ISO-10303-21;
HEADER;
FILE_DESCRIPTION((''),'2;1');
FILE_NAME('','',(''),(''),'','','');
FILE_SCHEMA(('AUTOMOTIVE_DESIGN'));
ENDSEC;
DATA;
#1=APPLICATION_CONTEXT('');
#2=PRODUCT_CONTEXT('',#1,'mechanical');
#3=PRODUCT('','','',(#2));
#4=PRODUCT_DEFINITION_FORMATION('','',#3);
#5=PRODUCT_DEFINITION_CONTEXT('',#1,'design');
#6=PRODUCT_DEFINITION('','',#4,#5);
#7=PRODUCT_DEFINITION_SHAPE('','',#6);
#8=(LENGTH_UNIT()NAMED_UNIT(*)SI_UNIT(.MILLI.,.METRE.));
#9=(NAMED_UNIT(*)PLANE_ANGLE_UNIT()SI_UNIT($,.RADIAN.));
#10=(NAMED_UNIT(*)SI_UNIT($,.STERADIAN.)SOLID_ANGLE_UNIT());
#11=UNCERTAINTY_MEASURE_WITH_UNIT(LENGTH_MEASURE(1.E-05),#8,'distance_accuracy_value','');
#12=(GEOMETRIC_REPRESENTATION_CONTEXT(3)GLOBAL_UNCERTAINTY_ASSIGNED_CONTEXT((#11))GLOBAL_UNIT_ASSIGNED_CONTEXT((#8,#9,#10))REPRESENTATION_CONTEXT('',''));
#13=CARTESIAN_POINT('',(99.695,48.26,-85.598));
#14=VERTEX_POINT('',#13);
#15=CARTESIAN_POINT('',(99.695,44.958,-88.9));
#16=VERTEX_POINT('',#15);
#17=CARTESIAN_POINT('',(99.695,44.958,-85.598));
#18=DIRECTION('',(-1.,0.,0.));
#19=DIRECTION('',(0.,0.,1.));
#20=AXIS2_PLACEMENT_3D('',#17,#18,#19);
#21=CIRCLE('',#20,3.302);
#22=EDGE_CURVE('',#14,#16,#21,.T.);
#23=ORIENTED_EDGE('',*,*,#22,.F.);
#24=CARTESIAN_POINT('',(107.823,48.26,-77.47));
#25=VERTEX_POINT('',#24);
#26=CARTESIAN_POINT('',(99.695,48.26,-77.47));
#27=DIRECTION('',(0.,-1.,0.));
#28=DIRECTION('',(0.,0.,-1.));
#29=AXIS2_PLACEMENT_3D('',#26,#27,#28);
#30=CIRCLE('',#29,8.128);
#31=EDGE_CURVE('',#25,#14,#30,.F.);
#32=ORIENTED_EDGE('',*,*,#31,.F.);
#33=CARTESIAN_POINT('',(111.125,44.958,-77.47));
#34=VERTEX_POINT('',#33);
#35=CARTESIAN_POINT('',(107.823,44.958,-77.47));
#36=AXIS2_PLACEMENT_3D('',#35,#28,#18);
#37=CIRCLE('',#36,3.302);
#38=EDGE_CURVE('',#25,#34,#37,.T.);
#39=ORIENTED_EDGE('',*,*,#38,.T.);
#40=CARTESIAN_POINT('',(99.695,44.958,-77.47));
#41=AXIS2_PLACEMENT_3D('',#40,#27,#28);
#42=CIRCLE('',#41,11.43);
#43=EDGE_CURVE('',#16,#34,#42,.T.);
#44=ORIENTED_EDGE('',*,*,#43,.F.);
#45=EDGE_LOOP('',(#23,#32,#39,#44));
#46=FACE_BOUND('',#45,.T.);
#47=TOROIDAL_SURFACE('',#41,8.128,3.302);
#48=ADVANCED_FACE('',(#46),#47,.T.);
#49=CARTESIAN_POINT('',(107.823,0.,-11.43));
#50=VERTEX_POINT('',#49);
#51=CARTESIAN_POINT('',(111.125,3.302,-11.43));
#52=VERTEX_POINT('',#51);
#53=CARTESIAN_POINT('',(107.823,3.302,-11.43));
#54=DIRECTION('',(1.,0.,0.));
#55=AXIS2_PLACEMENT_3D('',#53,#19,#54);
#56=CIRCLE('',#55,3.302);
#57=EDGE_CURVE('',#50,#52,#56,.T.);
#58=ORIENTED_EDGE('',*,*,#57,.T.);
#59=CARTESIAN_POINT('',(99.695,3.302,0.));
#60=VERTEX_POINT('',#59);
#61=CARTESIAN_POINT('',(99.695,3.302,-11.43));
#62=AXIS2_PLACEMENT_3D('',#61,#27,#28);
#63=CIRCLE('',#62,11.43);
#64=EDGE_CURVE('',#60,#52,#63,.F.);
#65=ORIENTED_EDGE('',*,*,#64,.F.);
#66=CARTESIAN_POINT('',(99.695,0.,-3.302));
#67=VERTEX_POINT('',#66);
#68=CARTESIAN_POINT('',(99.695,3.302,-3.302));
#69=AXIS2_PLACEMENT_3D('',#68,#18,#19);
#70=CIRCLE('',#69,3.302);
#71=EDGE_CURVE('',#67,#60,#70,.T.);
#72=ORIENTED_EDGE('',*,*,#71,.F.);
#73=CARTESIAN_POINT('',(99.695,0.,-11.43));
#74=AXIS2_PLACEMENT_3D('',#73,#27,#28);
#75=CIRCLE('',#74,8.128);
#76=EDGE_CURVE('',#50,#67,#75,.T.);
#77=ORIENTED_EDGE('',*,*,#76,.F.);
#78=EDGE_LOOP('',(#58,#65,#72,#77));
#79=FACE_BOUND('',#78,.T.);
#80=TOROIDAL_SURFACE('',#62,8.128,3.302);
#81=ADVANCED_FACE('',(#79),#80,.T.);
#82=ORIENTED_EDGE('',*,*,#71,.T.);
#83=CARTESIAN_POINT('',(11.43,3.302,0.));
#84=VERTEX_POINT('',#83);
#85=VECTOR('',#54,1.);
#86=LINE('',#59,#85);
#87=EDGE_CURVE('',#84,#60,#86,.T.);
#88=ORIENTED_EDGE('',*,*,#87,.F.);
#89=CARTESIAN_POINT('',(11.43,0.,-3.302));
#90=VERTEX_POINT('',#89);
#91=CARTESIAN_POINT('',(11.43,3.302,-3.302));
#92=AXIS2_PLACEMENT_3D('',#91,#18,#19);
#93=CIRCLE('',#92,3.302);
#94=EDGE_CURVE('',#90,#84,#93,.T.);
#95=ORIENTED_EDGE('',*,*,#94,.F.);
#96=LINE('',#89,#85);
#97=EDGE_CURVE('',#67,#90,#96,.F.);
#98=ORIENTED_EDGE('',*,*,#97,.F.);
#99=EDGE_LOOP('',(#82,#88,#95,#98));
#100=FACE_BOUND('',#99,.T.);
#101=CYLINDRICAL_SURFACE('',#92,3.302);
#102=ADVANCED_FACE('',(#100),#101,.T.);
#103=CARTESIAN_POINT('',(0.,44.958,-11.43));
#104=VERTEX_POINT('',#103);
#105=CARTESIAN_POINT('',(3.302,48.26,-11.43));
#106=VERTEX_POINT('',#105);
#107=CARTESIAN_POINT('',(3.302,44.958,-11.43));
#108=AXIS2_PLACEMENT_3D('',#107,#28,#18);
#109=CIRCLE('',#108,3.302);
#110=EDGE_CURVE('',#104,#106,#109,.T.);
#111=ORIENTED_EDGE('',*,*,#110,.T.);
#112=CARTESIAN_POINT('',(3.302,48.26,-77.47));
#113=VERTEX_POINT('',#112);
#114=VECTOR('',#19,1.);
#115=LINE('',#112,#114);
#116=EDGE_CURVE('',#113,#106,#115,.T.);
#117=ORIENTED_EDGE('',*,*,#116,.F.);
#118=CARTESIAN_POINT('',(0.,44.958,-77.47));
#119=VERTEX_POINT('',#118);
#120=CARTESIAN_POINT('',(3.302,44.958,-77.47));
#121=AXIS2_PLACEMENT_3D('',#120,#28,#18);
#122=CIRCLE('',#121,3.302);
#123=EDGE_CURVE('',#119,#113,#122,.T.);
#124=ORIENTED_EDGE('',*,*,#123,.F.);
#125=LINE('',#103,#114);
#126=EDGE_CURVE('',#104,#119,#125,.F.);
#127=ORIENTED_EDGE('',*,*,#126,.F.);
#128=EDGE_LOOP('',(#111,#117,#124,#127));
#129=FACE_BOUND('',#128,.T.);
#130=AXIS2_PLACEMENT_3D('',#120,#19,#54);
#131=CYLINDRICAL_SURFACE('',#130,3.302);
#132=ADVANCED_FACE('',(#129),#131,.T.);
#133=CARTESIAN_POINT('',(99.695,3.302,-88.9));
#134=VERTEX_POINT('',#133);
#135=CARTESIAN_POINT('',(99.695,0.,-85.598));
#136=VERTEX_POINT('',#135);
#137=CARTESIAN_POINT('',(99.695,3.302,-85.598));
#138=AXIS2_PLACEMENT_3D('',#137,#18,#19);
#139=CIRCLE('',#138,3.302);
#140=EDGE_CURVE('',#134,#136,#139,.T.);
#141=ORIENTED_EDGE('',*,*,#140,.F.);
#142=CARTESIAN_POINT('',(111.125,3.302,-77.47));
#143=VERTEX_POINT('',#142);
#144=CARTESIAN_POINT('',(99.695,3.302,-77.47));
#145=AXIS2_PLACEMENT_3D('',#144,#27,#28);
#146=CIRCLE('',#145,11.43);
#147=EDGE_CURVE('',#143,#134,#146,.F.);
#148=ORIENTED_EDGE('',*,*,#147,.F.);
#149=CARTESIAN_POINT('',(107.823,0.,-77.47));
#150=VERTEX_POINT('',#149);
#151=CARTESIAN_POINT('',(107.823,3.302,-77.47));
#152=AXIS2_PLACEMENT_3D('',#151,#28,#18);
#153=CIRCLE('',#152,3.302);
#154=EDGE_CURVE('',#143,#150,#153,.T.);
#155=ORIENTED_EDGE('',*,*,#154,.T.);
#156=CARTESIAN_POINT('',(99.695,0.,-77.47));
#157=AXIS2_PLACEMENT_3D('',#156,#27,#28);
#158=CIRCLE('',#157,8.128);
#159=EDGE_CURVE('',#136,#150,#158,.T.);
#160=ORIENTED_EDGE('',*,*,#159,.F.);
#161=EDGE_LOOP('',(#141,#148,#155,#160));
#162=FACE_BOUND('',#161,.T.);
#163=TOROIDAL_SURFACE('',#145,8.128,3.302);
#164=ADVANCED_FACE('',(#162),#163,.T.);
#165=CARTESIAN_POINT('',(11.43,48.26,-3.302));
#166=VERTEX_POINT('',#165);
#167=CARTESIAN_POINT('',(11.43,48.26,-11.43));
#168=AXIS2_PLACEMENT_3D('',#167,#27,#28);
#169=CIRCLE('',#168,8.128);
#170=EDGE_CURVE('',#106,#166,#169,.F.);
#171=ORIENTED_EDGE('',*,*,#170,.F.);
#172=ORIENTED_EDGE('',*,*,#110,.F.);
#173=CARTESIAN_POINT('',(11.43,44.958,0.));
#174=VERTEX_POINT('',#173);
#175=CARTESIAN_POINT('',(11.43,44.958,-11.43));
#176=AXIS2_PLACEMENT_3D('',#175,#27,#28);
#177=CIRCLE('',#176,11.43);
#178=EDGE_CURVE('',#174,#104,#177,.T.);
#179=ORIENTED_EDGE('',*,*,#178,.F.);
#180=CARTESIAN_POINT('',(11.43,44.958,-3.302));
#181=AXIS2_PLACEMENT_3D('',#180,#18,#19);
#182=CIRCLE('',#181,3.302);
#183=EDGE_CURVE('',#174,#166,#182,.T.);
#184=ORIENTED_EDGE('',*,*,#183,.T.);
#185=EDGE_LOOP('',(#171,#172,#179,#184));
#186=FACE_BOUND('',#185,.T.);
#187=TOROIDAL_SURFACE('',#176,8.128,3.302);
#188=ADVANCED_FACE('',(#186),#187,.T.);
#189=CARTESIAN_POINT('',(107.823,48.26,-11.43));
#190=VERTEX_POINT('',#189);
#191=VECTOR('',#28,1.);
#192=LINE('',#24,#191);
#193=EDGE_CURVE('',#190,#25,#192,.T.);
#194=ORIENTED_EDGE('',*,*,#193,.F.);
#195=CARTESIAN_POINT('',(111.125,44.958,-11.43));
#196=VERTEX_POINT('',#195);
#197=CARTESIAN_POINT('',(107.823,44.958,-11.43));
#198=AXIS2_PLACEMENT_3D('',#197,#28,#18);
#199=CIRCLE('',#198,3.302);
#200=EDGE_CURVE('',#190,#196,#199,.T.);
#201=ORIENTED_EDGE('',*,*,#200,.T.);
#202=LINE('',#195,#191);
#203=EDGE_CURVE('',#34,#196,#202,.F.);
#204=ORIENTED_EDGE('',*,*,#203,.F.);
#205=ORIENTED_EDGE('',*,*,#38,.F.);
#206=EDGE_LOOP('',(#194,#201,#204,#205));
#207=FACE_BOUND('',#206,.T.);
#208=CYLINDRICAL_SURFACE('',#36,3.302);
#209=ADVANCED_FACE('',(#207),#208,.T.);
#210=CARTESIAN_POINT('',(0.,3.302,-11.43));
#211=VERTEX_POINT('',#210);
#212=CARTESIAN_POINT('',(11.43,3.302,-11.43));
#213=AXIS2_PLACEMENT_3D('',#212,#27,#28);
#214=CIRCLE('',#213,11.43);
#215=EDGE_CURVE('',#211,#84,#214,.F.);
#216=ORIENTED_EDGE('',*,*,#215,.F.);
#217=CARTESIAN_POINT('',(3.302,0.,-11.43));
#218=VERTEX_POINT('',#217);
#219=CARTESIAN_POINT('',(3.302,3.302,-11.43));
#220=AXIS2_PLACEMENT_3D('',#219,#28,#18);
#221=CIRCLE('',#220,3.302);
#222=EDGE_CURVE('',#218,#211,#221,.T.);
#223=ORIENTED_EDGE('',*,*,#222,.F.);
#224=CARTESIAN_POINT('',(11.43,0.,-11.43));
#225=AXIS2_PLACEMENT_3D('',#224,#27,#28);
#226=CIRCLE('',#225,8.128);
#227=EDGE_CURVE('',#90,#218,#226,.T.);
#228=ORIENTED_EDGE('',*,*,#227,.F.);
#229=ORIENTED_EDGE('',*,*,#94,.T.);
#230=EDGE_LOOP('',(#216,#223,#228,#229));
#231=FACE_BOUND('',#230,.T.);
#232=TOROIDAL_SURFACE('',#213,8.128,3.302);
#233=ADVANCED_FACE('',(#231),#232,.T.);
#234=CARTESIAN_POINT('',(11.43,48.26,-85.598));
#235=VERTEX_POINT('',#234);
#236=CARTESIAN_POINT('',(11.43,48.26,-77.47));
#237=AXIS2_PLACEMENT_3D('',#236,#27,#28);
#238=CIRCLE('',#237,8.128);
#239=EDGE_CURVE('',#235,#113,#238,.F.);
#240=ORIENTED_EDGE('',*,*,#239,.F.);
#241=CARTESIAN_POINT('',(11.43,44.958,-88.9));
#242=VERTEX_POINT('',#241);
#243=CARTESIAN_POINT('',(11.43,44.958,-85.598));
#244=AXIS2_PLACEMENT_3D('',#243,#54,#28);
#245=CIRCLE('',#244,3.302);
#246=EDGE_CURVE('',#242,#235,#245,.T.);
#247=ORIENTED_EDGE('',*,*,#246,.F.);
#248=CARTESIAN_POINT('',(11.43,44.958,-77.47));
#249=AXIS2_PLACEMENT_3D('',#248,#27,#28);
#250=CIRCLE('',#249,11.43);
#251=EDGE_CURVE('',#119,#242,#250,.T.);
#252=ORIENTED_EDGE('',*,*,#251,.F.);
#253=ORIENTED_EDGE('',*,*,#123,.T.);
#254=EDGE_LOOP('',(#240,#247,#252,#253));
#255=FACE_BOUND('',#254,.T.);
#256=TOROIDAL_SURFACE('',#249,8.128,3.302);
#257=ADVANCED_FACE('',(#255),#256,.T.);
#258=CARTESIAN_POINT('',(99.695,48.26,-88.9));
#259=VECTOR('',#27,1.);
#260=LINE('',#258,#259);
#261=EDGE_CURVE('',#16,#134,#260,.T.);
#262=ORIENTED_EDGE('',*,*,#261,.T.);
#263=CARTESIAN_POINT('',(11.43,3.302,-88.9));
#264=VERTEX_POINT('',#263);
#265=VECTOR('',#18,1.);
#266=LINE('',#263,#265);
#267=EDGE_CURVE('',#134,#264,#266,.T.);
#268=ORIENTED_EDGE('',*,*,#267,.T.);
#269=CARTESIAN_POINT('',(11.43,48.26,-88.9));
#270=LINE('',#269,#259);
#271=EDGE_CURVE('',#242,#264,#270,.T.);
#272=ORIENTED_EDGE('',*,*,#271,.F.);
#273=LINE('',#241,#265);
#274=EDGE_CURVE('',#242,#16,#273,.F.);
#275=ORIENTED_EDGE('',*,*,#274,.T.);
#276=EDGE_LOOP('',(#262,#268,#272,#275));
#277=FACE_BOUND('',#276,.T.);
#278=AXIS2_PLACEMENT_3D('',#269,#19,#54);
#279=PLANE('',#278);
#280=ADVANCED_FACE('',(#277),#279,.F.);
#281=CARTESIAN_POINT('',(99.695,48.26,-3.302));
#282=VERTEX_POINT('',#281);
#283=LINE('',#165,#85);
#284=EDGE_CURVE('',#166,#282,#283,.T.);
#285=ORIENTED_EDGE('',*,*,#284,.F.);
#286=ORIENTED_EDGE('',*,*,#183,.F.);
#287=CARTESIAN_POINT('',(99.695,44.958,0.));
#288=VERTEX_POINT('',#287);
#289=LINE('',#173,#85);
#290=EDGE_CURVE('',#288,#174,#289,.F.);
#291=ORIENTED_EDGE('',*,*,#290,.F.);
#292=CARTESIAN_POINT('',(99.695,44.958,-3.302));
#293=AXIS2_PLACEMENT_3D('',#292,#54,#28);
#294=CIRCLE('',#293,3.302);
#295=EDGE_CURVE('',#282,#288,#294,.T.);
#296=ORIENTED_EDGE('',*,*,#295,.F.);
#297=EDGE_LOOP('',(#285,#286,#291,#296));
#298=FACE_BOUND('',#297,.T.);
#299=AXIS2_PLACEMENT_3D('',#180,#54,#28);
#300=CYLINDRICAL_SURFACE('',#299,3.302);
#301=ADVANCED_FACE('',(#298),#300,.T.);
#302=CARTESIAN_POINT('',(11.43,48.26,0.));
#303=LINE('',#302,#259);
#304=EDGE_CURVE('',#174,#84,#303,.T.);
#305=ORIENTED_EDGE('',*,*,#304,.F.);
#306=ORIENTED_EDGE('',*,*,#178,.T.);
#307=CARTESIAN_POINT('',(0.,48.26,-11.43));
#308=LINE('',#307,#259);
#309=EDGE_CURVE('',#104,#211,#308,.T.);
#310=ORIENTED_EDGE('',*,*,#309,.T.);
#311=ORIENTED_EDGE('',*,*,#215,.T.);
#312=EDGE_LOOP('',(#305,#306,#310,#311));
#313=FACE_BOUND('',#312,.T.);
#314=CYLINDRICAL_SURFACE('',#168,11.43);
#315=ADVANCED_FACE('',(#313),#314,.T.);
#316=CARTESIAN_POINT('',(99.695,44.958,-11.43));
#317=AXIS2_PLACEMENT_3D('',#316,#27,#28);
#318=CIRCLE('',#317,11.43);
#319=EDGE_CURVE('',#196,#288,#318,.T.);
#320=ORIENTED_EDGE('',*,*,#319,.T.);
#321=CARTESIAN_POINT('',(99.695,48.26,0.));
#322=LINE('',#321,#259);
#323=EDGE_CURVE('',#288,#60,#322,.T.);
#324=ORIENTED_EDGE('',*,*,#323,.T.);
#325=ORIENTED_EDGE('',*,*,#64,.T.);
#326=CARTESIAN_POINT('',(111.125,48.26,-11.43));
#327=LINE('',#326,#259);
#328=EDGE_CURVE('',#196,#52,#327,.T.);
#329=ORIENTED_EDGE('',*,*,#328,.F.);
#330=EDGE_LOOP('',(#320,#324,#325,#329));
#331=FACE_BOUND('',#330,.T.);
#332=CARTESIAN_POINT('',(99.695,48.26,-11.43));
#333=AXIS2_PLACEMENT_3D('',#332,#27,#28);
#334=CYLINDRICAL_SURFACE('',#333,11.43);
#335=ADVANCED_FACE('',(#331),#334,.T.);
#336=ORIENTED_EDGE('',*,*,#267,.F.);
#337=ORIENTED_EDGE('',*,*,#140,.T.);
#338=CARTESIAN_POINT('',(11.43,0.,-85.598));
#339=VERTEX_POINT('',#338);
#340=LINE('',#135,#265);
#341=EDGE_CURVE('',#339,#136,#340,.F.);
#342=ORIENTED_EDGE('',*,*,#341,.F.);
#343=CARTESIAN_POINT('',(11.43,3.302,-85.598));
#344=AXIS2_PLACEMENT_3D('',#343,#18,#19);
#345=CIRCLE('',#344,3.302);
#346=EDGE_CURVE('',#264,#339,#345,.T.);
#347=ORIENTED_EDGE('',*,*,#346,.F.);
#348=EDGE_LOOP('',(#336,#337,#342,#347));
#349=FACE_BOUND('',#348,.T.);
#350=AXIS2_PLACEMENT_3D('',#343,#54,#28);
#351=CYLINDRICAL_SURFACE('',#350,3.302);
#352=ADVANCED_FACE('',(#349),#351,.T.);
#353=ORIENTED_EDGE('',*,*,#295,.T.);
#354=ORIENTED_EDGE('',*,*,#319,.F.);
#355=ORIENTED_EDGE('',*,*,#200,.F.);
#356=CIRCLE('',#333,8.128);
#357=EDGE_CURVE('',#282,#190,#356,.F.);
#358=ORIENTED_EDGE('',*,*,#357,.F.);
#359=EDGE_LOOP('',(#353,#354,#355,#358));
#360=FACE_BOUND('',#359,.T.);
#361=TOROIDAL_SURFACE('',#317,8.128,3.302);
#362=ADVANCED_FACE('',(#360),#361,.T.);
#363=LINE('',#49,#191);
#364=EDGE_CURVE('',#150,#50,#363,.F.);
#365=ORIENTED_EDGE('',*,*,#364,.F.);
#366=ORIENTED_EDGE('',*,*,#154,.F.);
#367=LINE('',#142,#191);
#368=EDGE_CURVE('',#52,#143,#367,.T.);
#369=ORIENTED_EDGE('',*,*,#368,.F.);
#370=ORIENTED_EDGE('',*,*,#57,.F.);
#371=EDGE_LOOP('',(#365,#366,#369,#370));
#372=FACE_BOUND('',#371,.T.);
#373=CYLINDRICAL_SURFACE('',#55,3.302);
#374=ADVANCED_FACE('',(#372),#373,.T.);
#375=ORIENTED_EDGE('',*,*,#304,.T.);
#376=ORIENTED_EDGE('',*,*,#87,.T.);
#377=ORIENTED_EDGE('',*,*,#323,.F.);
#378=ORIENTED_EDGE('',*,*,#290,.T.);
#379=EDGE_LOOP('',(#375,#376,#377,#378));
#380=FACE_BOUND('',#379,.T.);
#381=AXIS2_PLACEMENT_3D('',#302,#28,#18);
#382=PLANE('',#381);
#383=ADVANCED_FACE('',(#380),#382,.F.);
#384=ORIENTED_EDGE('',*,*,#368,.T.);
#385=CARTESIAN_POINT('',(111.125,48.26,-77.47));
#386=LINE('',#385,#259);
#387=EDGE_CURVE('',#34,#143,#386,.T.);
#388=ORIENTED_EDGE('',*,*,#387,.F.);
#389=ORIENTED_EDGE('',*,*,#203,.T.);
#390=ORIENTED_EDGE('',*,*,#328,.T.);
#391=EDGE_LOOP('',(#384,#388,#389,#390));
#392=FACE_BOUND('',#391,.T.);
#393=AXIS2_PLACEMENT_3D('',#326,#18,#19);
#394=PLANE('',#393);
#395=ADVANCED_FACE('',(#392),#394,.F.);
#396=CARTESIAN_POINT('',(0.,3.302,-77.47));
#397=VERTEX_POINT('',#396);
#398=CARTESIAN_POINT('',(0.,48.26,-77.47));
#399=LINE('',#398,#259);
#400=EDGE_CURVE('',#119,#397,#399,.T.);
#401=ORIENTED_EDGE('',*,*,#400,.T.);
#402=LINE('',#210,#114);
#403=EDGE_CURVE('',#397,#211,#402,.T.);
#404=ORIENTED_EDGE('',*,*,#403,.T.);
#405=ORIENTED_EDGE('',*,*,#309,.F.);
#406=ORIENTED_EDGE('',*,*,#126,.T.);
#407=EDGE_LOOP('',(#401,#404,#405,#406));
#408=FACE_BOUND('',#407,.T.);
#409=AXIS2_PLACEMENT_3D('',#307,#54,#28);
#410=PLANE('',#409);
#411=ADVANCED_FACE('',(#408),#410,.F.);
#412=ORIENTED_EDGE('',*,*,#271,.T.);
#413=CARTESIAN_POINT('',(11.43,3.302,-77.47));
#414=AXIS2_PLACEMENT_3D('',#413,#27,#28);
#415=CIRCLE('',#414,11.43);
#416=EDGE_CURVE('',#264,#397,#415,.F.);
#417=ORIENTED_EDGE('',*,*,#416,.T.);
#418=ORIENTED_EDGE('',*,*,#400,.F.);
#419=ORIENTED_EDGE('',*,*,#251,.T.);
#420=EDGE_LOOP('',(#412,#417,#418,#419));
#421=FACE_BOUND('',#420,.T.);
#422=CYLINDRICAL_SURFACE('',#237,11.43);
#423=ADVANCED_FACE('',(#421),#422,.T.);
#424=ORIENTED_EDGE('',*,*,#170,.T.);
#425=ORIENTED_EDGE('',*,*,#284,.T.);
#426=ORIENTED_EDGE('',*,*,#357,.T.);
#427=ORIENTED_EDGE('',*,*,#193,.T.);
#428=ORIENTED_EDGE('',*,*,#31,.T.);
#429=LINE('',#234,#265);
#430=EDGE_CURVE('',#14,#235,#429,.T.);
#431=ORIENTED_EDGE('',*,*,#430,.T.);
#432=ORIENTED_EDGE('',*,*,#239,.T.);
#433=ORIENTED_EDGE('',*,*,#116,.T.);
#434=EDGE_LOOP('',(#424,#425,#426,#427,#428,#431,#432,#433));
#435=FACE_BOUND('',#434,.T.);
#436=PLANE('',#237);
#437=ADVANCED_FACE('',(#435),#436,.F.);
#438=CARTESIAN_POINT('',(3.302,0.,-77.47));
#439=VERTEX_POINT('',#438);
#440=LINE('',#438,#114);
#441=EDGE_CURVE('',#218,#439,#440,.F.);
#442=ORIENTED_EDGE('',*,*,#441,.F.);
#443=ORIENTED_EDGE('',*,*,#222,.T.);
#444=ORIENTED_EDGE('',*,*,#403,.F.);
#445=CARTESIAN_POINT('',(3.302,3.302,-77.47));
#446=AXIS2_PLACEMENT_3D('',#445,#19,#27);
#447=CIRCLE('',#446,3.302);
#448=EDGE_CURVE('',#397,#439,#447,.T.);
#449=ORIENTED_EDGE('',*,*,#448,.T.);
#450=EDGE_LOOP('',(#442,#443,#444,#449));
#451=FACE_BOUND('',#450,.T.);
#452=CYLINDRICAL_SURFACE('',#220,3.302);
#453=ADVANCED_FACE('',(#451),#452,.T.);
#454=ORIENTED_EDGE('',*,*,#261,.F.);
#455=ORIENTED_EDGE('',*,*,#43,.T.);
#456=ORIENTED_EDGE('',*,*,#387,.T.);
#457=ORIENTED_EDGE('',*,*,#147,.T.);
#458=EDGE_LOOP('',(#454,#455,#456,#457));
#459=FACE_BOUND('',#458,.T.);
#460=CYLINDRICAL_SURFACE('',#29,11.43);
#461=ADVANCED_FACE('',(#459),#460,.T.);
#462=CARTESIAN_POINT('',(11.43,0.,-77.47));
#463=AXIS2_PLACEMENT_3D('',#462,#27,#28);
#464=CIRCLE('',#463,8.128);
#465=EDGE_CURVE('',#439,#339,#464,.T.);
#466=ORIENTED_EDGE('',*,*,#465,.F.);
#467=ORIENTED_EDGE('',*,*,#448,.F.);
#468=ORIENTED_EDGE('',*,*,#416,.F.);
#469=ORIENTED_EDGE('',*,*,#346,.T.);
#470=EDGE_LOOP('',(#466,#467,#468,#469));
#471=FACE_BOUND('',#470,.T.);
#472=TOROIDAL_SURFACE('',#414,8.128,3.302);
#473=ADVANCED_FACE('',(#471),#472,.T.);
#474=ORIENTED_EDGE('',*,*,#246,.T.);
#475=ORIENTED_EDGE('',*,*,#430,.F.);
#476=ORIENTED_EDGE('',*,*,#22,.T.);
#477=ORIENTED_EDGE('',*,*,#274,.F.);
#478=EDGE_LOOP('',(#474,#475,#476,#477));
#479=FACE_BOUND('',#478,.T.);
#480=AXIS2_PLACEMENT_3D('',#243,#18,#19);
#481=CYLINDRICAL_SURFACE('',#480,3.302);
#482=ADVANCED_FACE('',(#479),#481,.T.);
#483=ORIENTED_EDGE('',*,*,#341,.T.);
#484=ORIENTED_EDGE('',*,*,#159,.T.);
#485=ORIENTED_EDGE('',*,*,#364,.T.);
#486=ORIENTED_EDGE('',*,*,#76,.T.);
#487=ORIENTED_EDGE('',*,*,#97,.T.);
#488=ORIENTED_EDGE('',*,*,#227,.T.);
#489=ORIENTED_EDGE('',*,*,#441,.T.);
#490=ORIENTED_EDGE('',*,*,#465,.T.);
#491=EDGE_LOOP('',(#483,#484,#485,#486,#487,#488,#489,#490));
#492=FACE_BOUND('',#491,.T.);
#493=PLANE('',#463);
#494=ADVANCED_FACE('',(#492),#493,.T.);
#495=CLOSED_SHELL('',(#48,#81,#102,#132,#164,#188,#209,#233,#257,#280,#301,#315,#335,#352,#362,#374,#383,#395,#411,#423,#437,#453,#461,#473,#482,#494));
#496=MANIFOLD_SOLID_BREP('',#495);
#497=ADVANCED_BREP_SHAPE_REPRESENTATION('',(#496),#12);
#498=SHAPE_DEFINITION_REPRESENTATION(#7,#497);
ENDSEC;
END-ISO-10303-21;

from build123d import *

# Parameters (mm, degrees)
EXTRUDE1_DEPTH = 48.26
FILLET1_R      = 3.302


with BuildPart() as part:
    # Sketch2 → Extrude1 (new body)
    with BuildSketch(Plane(origin=(0, 0, 0), x_dir=(1, 0, 0), z_dir=(0, 1, 0))):
        with BuildLine():
            Line((11.43, 0), (99.695, 0))
            ThreePointArc((99.695, 0), (107.777230509, 3.347769491), (111.125, 11.43))
            Line((111.125, 11.43), (111.125, 77.47))
            ThreePointArc((111.125, 77.47), (107.777230509, 85.552230509), (99.695, 88.9))
            Line((99.695, 88.9), (11.43, 88.9))
            ThreePointArc((11.43, 88.9), (3.347769491, 85.552230509), (0, 77.47))
            Line((0, 77.47), (0, 11.43))
            ThreePointArc((0, 11.43), (3.347769491, 3.347769491), (11.43, 0))
        make_face()
    extrude(amount=EXTRUDE1_DEPTH)

    # Fillet1
    fillet1_edges = [part.edges().sort_by_distance(p)[0] for p in [
        (3.347769491, 48.26, -3.347769491),
        (0, 0, -44.45),
        (3.347769491, 0, -85.552230509),
        (55.5625, 48.26, 0),
        (107.777230509, 48.26, -3.347769491),
        (111.125, 48.26, -44.45),
        (107.777230509, 48.26, -85.552230509),
        (55.5625, 48.26, -88.9),
        (3.347769491, 48.26, -85.552230509),
        (0, 48.26, -44.45),
        (55.5625, 0, -88.9),
        (107.777230509, 0, -85.552230509),
        (111.125, 0, -44.45),
        (107.777230509, 0, -3.347769491),
        (55.5625, 0, 0),
        (3.347769491, 0, -3.347769491),
    ]]
    fillet(fillet1_edges, radius=FILLET1_R)


solid = part.part
